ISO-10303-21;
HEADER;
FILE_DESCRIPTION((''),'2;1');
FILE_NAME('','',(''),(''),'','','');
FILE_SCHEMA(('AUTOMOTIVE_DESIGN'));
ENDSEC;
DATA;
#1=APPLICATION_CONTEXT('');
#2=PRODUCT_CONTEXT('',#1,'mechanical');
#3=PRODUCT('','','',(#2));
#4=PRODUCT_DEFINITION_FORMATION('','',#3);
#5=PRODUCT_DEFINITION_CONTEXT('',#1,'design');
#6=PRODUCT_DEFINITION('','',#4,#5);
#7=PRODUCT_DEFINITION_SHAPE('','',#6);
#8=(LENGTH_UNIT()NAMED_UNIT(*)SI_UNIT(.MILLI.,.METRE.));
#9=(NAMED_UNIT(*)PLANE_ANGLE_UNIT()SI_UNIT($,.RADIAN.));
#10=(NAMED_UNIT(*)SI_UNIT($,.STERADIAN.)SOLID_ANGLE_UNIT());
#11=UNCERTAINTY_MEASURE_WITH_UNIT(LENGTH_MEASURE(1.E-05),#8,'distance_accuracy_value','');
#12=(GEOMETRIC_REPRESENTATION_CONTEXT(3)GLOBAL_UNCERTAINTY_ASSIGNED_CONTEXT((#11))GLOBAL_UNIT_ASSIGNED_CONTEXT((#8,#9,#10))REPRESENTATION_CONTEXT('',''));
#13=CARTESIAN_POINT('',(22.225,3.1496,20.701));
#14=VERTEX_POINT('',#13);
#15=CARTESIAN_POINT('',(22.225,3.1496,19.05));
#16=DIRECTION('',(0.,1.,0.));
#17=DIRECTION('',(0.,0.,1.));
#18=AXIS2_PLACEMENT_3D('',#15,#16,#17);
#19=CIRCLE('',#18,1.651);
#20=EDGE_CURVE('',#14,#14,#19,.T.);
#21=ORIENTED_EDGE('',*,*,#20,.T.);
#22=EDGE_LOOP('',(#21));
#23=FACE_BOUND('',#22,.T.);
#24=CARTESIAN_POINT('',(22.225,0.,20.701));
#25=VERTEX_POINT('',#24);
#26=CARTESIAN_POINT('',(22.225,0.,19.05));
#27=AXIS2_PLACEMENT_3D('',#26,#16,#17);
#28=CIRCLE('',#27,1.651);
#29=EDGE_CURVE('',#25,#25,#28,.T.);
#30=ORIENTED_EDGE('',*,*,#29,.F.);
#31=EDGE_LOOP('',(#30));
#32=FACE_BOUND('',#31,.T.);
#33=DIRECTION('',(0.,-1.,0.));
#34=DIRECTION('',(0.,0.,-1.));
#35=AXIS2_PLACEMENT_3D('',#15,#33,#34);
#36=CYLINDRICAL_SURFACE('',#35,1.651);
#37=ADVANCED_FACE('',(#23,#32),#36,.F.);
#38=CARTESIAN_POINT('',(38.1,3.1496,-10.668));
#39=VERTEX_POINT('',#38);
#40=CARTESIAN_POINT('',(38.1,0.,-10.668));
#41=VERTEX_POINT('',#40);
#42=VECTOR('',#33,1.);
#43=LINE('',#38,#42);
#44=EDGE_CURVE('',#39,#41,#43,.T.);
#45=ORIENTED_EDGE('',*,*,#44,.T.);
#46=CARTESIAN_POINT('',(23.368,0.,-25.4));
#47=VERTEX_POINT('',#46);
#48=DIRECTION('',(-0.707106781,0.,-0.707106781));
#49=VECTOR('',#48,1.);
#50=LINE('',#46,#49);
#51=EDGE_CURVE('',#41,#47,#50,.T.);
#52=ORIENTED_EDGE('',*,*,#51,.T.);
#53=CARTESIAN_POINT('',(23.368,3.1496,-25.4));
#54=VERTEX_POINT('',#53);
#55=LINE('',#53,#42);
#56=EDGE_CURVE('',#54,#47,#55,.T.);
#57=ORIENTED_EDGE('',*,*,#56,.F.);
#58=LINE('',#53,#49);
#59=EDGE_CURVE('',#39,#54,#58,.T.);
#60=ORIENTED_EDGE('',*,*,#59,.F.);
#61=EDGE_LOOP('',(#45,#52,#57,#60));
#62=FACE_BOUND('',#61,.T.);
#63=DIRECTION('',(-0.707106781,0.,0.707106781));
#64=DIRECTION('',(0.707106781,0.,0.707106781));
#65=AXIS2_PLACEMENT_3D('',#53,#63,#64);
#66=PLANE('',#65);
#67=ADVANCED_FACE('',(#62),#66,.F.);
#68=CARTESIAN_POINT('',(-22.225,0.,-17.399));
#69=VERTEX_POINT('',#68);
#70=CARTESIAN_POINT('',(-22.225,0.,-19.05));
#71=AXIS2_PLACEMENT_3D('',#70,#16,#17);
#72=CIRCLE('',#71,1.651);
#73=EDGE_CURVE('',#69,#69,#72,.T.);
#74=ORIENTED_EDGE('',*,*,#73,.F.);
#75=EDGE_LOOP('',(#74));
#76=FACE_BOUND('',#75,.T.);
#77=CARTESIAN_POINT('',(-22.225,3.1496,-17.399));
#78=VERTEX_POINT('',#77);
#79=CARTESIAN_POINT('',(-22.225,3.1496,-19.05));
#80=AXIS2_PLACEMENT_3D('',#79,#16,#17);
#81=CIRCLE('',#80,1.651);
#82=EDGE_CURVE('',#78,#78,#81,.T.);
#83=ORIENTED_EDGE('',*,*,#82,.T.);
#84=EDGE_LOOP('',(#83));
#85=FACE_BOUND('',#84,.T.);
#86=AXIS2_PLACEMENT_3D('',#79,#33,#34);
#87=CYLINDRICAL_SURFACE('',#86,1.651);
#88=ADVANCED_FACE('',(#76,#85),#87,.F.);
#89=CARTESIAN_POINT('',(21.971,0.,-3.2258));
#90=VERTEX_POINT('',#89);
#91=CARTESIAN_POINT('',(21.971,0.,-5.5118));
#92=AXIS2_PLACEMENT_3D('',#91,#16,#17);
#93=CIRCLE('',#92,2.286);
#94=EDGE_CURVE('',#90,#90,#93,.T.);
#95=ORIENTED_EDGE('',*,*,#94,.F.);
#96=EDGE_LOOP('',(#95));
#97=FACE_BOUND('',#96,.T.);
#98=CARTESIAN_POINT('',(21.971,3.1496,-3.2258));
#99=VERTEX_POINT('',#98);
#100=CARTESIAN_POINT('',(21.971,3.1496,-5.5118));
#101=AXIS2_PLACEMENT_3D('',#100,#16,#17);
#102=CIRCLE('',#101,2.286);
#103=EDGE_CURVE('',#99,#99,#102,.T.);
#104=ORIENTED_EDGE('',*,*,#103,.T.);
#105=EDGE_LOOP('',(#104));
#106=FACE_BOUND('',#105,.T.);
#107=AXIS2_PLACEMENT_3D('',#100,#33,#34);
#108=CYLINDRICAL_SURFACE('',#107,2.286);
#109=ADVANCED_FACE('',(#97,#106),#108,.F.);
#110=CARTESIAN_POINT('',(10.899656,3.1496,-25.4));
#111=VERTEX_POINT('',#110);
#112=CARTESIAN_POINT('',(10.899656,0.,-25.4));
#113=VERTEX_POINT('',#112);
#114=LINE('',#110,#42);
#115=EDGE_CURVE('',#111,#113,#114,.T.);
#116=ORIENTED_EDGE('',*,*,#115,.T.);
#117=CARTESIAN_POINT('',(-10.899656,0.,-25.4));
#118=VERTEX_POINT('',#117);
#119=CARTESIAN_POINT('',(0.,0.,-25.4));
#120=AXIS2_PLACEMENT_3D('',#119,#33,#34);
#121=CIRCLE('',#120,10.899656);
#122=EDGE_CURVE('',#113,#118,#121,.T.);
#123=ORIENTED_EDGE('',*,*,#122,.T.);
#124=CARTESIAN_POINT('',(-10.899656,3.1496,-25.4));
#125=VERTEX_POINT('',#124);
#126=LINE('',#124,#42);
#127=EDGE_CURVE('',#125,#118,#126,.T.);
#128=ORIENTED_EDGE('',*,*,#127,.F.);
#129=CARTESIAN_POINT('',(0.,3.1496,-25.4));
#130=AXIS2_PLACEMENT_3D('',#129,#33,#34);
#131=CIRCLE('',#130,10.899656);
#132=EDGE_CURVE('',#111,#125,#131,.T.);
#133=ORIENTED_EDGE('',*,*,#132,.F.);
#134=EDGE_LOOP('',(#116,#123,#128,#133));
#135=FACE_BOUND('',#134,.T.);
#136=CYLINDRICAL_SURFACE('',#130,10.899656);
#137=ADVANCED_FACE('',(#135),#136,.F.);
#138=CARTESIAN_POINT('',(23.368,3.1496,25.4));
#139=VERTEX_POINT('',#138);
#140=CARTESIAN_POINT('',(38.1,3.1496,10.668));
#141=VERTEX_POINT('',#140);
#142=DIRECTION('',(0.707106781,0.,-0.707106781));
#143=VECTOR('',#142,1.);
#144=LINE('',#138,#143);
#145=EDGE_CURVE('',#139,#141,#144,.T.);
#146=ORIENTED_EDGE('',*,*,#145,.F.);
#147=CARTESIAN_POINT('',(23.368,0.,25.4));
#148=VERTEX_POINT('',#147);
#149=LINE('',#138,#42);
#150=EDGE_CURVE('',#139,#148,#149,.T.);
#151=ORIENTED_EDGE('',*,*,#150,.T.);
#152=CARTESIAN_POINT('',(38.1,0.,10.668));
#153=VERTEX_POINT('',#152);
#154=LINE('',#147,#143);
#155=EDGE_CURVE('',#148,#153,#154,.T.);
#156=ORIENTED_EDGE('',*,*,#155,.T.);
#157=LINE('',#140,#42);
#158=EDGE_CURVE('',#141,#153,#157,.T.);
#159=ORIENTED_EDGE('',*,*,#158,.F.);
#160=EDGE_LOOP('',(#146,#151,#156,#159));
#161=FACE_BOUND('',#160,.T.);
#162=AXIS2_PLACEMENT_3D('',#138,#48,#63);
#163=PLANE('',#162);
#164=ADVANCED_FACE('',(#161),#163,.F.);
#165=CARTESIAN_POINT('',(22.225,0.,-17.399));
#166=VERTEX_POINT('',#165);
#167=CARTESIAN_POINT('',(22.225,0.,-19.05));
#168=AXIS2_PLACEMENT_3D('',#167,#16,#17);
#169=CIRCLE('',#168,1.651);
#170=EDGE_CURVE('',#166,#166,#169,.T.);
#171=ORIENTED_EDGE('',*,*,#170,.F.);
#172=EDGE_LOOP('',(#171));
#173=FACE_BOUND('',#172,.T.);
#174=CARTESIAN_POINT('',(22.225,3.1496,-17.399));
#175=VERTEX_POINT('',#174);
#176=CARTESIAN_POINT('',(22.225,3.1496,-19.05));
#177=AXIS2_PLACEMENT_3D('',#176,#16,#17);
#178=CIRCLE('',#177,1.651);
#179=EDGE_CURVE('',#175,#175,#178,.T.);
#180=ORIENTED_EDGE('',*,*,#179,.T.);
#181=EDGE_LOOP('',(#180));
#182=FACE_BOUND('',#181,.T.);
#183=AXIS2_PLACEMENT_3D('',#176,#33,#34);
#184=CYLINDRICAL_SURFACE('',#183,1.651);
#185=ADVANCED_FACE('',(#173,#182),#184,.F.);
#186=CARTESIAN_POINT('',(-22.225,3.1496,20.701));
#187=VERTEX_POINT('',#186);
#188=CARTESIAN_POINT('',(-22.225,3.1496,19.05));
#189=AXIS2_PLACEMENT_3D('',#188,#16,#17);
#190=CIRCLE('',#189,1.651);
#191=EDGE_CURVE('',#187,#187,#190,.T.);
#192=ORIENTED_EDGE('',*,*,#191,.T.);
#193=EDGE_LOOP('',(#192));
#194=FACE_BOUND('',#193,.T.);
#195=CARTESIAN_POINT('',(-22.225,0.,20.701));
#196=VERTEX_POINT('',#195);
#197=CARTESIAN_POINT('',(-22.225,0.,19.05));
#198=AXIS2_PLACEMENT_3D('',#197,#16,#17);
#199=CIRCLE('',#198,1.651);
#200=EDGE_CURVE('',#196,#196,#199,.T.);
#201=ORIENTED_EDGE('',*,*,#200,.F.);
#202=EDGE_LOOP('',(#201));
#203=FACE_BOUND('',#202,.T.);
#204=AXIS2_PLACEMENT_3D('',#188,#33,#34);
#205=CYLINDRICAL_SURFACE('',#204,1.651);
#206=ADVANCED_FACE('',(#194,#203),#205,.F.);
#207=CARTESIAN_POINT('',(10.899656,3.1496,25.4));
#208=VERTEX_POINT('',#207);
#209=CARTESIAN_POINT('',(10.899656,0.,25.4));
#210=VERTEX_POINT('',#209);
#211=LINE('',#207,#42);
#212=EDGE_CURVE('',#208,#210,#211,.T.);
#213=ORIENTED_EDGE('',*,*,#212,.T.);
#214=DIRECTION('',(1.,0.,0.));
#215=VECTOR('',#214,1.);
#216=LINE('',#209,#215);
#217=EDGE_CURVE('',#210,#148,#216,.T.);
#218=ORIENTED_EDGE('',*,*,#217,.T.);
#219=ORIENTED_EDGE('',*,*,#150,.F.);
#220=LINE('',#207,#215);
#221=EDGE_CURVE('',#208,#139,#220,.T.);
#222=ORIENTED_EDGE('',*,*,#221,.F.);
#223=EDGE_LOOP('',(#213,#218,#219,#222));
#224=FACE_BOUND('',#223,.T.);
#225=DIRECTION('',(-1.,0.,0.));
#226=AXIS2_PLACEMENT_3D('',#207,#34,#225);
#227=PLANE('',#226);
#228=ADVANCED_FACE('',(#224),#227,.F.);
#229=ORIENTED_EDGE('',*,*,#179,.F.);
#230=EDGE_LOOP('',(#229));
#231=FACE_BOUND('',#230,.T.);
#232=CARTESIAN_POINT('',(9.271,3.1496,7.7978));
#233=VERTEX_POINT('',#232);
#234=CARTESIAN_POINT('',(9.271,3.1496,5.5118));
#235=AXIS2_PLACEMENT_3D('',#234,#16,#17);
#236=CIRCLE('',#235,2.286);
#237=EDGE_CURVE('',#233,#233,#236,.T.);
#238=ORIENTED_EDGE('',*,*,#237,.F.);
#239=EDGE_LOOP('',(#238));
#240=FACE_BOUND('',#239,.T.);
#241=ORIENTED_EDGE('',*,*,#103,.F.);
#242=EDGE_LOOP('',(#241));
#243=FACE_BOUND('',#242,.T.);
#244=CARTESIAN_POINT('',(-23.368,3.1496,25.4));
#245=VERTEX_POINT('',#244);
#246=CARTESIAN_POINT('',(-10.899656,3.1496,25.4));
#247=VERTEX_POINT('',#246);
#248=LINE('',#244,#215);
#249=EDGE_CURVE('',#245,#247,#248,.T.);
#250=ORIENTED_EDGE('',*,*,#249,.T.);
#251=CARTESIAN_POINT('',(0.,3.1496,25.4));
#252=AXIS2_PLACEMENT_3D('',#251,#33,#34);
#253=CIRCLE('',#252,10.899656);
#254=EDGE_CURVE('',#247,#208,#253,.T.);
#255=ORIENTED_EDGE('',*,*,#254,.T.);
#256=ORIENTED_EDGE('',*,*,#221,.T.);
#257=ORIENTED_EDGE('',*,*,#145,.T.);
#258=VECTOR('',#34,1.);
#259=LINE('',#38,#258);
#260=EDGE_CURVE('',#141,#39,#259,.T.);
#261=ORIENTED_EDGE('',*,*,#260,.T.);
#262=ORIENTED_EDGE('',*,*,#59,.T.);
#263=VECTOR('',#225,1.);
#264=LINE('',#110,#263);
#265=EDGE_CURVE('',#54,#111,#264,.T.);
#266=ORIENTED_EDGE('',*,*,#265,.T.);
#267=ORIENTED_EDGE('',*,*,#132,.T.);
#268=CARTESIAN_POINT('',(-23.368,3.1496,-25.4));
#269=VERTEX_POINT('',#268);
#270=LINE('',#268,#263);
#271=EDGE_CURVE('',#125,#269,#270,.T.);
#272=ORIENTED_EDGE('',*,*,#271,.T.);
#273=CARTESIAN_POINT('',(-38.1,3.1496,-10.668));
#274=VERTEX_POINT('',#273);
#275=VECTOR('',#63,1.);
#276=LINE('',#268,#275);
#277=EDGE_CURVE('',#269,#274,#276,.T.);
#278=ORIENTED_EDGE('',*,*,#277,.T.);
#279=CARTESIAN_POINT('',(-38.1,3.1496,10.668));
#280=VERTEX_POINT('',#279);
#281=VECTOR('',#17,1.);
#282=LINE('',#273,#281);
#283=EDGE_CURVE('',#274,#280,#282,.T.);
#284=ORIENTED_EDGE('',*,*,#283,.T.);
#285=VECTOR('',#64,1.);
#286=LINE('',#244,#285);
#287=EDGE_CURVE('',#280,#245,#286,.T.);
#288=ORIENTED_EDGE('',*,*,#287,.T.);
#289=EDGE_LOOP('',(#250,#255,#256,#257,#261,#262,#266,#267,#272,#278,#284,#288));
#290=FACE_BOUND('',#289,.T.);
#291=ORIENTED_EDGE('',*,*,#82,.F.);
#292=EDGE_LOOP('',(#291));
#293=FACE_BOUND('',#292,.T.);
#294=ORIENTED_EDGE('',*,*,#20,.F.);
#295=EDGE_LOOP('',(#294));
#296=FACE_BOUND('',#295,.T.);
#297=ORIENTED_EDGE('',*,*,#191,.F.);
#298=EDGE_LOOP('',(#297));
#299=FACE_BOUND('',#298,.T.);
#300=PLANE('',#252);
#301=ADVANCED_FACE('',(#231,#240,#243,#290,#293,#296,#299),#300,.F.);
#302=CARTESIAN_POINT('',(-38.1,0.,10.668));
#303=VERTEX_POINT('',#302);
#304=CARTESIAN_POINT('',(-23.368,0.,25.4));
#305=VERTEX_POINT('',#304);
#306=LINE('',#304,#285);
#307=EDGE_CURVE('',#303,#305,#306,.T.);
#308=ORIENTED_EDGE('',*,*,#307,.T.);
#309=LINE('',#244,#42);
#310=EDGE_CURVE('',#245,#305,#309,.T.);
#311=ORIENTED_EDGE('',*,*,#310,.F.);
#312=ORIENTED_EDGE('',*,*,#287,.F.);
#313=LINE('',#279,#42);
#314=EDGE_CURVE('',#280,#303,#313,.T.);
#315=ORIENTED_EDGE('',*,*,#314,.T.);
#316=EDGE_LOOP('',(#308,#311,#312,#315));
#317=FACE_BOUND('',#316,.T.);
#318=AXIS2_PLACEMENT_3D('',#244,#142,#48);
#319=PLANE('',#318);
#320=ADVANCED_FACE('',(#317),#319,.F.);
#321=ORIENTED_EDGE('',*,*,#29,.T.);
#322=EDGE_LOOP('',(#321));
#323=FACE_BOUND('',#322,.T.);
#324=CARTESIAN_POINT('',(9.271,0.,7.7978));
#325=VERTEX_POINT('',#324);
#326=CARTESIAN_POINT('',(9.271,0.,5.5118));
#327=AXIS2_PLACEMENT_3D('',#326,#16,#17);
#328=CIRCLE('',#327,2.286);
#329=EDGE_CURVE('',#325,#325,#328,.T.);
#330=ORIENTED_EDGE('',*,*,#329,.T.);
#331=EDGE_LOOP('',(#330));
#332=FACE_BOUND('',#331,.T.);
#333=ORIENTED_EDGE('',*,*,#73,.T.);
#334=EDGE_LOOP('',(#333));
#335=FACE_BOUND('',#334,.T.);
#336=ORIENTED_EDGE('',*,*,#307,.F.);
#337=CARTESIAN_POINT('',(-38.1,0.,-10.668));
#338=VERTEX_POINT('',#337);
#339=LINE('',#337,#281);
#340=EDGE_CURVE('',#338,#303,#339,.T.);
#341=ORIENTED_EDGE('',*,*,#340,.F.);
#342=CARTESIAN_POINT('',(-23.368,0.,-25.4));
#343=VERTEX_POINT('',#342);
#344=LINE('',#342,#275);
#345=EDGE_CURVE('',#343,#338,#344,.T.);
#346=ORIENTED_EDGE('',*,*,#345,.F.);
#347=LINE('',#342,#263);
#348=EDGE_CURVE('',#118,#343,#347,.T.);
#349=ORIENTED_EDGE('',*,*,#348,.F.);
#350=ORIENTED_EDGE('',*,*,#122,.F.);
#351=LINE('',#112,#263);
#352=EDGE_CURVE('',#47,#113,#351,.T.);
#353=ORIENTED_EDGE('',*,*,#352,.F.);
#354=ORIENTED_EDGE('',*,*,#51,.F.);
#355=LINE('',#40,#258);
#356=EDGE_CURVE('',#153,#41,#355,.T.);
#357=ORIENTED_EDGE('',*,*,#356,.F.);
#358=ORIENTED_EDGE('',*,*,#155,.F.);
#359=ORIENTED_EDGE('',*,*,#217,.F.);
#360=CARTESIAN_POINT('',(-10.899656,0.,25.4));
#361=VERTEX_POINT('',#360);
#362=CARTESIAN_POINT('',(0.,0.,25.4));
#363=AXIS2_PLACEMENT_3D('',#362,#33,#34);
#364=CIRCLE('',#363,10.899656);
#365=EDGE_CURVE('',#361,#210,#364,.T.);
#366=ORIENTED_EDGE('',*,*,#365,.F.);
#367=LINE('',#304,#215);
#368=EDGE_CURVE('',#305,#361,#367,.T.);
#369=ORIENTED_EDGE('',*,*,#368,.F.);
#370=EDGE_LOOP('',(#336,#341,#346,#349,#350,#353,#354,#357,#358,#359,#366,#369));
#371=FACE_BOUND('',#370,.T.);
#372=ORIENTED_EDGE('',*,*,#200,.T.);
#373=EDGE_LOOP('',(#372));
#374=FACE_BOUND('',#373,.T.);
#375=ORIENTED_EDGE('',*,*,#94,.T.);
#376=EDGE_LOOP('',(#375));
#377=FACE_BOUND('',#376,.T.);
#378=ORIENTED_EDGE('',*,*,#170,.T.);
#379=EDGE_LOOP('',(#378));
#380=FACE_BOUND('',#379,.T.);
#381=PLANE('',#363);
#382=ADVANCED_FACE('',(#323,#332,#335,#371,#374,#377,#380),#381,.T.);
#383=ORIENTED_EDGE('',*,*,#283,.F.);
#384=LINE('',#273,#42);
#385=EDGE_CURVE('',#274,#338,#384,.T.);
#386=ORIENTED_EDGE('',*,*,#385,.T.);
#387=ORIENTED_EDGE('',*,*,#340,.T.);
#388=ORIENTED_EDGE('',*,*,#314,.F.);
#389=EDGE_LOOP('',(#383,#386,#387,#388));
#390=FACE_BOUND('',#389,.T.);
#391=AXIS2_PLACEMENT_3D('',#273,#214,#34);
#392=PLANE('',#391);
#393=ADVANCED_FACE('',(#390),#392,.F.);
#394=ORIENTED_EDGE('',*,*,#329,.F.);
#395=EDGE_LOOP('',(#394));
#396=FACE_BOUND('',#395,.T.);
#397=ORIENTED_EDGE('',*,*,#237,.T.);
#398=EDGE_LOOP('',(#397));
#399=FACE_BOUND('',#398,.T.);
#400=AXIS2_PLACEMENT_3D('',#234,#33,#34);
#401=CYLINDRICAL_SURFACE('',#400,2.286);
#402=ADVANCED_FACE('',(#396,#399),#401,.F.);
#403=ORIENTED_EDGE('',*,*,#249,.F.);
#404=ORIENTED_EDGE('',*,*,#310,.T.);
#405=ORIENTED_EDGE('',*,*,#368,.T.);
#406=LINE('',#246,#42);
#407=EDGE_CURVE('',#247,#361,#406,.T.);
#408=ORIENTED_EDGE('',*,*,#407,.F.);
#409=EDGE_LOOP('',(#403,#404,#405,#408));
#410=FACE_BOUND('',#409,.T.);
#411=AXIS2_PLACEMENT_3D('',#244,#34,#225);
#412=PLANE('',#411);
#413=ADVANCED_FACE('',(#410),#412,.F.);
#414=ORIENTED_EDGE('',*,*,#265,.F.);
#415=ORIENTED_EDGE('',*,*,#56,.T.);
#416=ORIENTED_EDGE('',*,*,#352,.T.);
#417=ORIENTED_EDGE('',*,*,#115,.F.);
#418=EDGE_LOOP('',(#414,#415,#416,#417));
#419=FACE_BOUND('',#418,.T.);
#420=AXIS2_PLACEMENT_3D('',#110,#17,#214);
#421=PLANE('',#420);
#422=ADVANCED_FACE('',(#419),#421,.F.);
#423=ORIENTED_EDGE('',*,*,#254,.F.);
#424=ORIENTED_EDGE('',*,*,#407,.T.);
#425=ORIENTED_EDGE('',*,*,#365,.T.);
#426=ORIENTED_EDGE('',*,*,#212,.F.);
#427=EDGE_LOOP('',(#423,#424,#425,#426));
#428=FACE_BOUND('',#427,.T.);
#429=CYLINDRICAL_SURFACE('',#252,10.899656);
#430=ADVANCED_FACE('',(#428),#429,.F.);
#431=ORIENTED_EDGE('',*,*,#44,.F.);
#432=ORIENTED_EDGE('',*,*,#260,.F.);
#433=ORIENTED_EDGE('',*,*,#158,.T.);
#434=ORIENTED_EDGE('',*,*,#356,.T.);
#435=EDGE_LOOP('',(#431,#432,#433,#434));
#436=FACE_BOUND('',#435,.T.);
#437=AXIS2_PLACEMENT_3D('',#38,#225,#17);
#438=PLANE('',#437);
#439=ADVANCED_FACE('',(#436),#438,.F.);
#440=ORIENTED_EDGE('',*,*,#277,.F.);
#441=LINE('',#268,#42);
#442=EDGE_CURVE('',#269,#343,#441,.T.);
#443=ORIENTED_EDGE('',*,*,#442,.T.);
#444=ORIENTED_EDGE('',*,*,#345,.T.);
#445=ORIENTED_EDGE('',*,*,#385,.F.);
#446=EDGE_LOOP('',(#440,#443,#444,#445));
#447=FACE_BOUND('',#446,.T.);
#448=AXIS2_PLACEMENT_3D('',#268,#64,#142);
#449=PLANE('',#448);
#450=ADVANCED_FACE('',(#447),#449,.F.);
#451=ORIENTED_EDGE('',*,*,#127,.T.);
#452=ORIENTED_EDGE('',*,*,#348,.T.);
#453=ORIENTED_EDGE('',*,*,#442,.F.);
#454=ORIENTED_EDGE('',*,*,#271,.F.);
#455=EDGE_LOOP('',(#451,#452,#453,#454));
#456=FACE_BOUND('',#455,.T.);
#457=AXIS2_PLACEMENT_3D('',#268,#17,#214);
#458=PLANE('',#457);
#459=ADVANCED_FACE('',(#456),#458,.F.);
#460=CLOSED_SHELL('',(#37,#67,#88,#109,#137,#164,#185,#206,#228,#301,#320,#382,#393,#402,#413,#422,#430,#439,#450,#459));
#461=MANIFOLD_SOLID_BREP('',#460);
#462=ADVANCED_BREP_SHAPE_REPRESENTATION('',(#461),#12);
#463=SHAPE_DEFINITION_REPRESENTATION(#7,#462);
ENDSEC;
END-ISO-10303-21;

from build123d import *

# Parameters (mm, degrees)
SKETCH1_R           = 1.651
SKETCH1_R_2         = 2.286
BOSS_EXTRUDE1_DEPTH = 3.1496


with BuildPart() as part:
    # Sketch1 → Boss-Extrude1 (new body)
    with BuildSketch(Plane(origin=(0, 0, 0), x_dir=(1, 0, 0), z_dir=(0, 1, 0))):
        with BuildLine():
            Line((23.368, -25.4), (38.1, -10.668))
            Line((38.1, -10.668), (38.1, 10.668))
            Line((38.1, 10.668), (23.368, 25.4))
            Line((23.368, 25.4), (10.899655632, 25.4))
            ThreePointArc((10.899655632, 25.4), (0, 14.500344368), (-10.899655632, 25.4))
            Line((-10.899655632, 25.4), (-23.368, 25.4))
            Line((-23.368, 25.4), (-38.1, 10.668))
            Line((-38.1, 10.668), (-38.1, -10.668))
            Line((-38.1, -10.668), (-23.368, -25.4))
            Line((-23.368, -25.4), (-10.899655632, -25.4))
            ThreePointArc((-10.899655632, -25.4), (0, -14.500344368), (10.899655632, -25.4))
            Line((10.899655632, -25.4), (23.368, -25.4))
        make_face()
        with Locations(Location((-22.225, 19.05, 0), (0, 0, 270))):
            Circle(SKETCH1_R, mode=Mode.SUBTRACT)
        with Locations(Location((22.225, 19.05, 0), (0, 0, 270))):
            Circle(SKETCH1_R, mode=Mode.SUBTRACT)
        with Locations(Location((22.225, -19.05, 0), (0, 0, 270))):
            Circle(SKETCH1_R, mode=Mode.SUBTRACT)
        with Locations(Location((-22.225, -19.05, 0), (0, 0, 270))):
            Circle(SKETCH1_R, mode=Mode.SUBTRACT)
        with Locations(Location((9.271, -5.5118, 0), (0, 0, 270))):
            Circle(SKETCH1_R_2, mode=Mode.SUBTRACT)
        with Locations(Location((21.971, 5.5118, 0), (0, 0, 270))):
            Circle(SKETCH1_R_2, mode=Mode.SUBTRACT)
    extrude(amount=BOSS_EXTRUDE1_DEPTH)


solid = part.part
